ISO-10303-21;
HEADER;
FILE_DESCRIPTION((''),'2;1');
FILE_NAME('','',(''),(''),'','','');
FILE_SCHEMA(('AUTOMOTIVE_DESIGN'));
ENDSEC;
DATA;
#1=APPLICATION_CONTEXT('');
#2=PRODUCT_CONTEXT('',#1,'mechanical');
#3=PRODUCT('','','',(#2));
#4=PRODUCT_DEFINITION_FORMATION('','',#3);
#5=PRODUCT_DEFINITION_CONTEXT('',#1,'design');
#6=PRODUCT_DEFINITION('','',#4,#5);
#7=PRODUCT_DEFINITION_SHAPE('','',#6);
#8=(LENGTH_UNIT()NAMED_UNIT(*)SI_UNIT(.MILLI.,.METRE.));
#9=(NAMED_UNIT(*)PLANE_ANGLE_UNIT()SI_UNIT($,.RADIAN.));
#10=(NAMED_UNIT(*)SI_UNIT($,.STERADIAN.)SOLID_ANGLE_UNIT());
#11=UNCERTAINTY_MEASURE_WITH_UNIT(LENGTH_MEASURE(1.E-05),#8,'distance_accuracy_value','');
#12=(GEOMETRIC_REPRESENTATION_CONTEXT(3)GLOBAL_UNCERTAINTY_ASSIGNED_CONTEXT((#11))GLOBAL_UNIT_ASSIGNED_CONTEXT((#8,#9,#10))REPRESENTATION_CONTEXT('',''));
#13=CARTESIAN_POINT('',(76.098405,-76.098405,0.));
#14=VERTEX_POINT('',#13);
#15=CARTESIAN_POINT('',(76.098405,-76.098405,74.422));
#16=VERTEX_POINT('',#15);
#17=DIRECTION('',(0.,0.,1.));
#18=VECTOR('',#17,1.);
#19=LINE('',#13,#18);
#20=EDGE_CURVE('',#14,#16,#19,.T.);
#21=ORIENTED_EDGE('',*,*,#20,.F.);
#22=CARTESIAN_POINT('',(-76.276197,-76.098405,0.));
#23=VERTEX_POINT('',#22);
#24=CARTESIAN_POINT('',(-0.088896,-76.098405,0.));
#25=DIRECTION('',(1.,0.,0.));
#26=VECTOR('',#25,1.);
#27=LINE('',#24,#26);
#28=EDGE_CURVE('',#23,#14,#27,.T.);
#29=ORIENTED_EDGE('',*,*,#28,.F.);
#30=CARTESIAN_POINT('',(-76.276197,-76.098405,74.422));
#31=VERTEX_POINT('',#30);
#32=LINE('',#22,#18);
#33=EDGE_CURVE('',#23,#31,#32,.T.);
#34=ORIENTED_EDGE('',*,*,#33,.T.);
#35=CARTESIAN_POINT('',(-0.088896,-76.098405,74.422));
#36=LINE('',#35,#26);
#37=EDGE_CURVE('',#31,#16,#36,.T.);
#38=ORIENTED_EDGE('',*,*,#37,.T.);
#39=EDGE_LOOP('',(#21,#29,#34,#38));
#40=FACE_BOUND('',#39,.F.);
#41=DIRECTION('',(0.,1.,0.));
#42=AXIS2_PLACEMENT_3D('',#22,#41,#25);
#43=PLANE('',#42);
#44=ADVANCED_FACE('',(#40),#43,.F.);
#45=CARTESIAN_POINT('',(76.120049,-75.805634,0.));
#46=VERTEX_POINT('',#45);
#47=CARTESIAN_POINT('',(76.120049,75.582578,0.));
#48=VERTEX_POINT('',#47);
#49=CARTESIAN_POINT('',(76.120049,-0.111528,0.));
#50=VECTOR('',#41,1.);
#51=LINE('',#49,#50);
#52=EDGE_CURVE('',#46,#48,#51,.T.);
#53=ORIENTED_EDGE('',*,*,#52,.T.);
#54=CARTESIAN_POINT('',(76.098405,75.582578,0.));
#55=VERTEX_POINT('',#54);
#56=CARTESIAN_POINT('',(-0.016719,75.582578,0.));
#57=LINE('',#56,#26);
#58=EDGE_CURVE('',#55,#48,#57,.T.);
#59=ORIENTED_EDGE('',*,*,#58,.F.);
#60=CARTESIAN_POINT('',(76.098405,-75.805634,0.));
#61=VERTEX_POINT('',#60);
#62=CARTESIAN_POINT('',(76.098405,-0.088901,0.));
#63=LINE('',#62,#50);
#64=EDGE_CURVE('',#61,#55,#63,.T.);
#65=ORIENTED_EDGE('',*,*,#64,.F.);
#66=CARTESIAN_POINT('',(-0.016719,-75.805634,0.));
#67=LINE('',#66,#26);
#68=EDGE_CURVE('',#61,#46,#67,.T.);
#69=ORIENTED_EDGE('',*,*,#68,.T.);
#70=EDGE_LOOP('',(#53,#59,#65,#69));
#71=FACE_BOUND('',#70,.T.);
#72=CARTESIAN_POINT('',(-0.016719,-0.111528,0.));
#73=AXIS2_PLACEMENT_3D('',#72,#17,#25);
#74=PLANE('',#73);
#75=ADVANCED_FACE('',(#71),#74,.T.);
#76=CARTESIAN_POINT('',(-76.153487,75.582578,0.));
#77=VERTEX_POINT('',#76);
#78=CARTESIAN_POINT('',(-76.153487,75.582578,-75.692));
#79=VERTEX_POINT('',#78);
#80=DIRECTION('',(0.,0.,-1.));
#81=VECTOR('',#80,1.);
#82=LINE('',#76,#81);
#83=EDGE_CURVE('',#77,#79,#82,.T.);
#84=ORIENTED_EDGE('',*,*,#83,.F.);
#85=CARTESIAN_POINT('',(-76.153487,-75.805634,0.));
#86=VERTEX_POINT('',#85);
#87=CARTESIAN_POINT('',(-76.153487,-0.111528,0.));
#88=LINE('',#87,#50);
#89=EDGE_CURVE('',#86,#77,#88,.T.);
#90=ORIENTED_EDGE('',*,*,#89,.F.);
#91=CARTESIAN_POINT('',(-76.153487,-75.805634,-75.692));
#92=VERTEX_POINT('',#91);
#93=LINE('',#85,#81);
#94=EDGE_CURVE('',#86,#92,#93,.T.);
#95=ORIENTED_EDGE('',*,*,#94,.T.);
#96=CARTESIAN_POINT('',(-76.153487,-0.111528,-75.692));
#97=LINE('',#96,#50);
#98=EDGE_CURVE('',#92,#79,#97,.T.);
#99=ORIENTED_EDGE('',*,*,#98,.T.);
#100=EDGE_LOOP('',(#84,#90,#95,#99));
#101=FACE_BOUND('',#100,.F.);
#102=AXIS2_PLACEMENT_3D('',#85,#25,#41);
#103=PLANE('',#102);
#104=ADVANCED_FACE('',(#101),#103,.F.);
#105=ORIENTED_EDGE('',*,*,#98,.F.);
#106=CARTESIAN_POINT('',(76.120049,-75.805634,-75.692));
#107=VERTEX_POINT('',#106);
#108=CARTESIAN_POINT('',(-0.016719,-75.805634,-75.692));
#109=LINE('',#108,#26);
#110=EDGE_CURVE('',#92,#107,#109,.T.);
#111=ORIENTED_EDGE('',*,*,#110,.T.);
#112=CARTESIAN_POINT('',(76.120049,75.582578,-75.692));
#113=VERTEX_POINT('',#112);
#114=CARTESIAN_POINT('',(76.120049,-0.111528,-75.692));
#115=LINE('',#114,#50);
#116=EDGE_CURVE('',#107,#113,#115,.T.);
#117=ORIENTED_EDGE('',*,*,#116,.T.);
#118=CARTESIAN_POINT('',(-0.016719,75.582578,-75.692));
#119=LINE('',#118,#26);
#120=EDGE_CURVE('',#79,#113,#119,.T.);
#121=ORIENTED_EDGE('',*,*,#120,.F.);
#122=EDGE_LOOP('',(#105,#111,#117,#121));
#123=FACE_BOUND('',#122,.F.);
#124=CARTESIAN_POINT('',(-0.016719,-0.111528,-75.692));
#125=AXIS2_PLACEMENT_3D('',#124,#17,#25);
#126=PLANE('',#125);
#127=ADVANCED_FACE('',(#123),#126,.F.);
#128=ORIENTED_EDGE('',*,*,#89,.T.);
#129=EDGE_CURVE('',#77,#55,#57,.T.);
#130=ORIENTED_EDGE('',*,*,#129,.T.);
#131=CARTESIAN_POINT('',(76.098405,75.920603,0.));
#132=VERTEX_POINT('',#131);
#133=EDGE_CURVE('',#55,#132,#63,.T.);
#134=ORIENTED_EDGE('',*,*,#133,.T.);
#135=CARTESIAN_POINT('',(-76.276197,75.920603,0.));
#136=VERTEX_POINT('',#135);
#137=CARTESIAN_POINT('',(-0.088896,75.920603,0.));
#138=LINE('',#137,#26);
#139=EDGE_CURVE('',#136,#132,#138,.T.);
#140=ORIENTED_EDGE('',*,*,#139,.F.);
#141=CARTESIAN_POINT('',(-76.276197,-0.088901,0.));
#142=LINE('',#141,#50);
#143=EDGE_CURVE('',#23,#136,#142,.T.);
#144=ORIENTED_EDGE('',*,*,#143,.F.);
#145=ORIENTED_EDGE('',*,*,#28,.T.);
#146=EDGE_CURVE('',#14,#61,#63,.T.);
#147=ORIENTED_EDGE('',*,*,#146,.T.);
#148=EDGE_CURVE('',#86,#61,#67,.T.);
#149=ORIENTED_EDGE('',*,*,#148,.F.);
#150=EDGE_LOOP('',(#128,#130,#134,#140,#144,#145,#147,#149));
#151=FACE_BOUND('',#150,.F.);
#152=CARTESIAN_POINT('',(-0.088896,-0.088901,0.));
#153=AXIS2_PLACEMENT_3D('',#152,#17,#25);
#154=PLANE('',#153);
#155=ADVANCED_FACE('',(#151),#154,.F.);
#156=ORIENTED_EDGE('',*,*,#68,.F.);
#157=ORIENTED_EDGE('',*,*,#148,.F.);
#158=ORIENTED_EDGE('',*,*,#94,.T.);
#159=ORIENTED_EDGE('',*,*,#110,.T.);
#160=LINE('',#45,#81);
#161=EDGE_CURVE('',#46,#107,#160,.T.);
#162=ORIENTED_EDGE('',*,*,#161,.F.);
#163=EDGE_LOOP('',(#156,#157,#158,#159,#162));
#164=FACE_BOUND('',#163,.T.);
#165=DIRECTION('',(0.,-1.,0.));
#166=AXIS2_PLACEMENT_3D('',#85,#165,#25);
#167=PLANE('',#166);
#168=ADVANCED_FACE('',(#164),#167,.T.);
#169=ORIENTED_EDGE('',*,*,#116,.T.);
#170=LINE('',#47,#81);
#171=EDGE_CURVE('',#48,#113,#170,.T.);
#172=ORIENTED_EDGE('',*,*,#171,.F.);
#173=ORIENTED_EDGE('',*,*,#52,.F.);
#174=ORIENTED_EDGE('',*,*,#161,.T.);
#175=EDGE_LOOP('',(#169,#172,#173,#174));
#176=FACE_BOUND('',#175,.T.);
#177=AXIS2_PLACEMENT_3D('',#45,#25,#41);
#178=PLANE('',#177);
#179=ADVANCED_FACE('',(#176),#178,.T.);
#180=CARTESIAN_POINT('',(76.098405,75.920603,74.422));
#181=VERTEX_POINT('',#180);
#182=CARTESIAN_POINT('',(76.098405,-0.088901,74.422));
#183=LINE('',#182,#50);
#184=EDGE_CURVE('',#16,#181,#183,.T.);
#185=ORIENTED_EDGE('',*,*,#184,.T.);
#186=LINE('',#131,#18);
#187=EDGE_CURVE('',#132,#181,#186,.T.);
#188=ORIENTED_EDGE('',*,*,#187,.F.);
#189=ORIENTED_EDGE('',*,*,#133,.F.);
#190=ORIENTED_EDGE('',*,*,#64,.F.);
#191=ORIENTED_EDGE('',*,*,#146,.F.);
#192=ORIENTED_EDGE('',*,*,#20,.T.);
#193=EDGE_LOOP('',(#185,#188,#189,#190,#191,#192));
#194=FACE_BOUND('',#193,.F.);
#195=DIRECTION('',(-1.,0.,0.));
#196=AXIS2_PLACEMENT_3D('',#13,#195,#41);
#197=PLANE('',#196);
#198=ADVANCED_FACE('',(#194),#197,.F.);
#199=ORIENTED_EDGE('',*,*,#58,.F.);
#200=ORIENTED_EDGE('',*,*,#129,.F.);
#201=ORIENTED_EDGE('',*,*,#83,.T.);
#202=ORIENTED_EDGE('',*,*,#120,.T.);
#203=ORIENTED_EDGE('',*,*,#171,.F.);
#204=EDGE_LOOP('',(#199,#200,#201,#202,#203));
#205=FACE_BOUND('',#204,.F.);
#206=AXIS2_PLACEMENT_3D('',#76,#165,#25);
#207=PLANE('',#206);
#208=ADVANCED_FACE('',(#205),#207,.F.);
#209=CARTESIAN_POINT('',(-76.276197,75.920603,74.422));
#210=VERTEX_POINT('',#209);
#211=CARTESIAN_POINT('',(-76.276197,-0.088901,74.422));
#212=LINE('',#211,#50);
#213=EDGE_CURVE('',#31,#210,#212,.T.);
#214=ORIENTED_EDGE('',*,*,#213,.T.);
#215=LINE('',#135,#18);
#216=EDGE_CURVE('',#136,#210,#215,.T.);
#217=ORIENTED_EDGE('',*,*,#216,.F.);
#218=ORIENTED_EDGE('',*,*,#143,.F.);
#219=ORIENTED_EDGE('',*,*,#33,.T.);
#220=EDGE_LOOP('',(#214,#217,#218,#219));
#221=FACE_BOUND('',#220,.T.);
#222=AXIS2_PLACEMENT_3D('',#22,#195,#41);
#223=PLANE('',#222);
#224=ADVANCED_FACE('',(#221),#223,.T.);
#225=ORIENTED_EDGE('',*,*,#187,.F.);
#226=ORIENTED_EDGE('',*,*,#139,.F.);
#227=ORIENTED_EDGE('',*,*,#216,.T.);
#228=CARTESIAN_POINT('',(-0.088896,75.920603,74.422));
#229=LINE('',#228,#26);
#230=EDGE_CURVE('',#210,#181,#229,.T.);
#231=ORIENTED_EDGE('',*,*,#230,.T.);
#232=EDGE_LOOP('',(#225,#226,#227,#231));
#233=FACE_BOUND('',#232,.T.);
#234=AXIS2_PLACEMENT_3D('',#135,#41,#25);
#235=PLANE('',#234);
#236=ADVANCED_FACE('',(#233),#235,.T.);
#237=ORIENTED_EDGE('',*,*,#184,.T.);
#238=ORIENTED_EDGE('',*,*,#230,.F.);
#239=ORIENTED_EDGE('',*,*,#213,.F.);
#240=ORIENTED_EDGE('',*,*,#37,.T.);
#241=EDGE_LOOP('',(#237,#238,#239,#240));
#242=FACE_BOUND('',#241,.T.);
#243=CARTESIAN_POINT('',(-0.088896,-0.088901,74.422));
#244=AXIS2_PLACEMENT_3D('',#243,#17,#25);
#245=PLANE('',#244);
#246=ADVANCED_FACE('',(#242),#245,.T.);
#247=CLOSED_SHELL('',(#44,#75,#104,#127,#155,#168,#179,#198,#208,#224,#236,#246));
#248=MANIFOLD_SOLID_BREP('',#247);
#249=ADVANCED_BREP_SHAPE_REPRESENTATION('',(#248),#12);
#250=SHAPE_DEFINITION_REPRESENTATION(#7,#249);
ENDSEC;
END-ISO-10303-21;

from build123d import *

# Parameters (mm, degrees)
F1_W     = 152.374603
F1_H     = 152.019009
F2_DEPTH = 74.422
F0_W     = 152.273536
F0_H     = 151.388213
F3_DEPTH = 75.692


with BuildPart() as f2:
    # F1 (on face) → F2 (new body)
    with BuildSketch(Plane.XY):
        with Locations((-0.088896, -0.088901)):
            Rectangle(F1_W, F1_H)
    extrude(amount=F2_DEPTH)

    # F0 (on Top) → F3 (join)
    with BuildSketch(Plane.XY):
        with Locations((-0.016719, -0.111528)):
            Rectangle(F0_W, F0_H)
    extrude(amount=-F3_DEPTH)


solid = f2.part
